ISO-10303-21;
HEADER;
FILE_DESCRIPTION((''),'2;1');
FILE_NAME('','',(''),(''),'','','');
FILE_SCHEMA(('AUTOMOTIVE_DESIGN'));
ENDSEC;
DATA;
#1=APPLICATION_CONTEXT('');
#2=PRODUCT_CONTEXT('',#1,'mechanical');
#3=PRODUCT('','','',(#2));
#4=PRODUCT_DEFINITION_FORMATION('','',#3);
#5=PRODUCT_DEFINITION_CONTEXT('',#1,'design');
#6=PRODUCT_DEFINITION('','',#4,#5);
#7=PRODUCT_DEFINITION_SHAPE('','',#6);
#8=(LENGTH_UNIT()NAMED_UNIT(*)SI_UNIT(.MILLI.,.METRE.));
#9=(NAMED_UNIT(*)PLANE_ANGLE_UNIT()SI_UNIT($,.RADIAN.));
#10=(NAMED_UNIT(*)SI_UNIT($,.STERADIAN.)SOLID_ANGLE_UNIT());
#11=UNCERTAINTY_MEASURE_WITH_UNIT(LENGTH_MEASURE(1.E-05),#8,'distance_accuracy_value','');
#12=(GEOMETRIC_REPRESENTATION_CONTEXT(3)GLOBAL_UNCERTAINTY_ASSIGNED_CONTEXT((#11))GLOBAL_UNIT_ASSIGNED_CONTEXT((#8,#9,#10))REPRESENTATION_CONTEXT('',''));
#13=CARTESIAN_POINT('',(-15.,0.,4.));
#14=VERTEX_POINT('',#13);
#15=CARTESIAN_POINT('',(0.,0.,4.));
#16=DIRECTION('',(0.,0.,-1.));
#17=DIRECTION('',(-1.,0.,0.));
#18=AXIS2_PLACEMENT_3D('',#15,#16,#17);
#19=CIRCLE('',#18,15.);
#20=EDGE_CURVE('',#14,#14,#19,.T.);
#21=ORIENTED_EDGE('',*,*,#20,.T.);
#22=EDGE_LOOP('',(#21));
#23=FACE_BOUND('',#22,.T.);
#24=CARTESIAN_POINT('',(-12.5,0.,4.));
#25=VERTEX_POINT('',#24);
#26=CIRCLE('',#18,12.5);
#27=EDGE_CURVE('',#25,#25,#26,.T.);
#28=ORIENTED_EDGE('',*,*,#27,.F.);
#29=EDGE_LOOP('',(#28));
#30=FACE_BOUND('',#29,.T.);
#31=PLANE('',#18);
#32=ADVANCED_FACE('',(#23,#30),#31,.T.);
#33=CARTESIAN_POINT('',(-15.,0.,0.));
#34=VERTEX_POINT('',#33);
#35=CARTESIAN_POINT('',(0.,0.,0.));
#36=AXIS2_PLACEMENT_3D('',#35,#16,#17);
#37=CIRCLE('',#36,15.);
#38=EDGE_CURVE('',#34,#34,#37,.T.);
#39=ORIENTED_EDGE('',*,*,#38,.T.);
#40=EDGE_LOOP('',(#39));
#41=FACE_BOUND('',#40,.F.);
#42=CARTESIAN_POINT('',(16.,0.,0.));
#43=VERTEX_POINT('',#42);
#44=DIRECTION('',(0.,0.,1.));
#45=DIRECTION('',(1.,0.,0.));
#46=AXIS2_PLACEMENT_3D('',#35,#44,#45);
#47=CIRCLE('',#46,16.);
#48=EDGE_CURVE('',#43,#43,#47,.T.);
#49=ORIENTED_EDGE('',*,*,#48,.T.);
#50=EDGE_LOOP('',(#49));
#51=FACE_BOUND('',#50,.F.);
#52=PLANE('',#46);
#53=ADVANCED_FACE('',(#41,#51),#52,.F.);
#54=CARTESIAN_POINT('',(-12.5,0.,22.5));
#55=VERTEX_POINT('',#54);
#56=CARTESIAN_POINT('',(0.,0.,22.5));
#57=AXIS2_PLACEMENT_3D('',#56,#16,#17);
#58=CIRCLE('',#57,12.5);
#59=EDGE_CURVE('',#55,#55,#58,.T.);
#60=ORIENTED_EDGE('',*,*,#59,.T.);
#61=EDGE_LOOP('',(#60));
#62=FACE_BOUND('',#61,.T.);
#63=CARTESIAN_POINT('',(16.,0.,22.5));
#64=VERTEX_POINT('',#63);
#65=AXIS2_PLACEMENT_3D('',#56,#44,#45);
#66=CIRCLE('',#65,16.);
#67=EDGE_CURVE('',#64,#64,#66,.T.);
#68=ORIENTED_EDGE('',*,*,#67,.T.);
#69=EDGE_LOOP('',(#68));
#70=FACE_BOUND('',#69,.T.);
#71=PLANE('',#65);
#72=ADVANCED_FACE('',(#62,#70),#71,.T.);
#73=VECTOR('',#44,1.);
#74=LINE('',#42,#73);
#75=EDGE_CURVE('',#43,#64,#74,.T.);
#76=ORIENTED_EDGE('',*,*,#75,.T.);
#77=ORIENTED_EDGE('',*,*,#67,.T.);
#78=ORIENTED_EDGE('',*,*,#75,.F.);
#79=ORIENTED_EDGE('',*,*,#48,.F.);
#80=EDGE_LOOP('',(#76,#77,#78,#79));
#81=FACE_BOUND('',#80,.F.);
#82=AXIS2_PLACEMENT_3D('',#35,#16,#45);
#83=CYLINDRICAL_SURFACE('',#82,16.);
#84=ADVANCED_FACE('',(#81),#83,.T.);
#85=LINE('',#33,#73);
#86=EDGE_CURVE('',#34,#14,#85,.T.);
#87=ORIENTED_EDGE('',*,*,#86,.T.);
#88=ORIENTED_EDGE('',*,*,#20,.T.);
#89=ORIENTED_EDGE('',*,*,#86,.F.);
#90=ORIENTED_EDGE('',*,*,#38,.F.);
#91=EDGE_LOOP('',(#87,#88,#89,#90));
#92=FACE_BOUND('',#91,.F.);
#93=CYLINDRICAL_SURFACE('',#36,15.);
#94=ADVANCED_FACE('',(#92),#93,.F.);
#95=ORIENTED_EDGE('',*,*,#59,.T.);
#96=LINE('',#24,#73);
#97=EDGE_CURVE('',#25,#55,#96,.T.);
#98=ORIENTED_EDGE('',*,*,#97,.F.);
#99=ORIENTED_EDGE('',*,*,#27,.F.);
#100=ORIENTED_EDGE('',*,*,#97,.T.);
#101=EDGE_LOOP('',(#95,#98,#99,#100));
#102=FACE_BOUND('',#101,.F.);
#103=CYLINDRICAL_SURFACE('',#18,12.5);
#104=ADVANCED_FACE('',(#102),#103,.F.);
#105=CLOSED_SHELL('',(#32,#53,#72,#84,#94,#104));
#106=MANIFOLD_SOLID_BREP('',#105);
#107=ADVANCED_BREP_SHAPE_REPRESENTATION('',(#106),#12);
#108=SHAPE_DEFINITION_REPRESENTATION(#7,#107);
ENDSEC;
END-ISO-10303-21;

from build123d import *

# Parameters (mm, degrees)
SKETCH_1_R          = 16
EXTRUDE_1_DEPTH     = 22.5
SKETCH_2_R          = 15
CUT_EXTRUDE_3_DEPTH = 4
SKETCH_3_R          = 12.5
CUT_EXTRUDE_4_DEPTH = 19.5


with BuildPart() as part:
    # Эскиз1 → Вытянуть1 (new body)
    with BuildSketch(Plane.XY):
        Circle(SKETCH_1_R)
    extrude(amount=EXTRUDE_1_DEPTH)

    # Эскиз2 → Вытянуть3 (cut)
    with BuildSketch(Plane(origin=(0, 0, 0), x_dir=(-1, 0, 0), z_dir=(0, 0, -1))):
        Circle(SKETCH_2_R)
    extrude(amount=-CUT_EXTRUDE_3_DEPTH, mode=Mode.SUBTRACT)

    # Эскиз3 → Вытянуть4 (cut, through all)
    with BuildSketch(Plane(origin=(0, 0, 4), x_dir=(-1, 0, 0), z_dir=(0, 0, -1))):
        Circle(SKETCH_3_R)
    extrude(amount=-CUT_EXTRUDE_4_DEPTH, mode=Mode.SUBTRACT)


solid = part.part
